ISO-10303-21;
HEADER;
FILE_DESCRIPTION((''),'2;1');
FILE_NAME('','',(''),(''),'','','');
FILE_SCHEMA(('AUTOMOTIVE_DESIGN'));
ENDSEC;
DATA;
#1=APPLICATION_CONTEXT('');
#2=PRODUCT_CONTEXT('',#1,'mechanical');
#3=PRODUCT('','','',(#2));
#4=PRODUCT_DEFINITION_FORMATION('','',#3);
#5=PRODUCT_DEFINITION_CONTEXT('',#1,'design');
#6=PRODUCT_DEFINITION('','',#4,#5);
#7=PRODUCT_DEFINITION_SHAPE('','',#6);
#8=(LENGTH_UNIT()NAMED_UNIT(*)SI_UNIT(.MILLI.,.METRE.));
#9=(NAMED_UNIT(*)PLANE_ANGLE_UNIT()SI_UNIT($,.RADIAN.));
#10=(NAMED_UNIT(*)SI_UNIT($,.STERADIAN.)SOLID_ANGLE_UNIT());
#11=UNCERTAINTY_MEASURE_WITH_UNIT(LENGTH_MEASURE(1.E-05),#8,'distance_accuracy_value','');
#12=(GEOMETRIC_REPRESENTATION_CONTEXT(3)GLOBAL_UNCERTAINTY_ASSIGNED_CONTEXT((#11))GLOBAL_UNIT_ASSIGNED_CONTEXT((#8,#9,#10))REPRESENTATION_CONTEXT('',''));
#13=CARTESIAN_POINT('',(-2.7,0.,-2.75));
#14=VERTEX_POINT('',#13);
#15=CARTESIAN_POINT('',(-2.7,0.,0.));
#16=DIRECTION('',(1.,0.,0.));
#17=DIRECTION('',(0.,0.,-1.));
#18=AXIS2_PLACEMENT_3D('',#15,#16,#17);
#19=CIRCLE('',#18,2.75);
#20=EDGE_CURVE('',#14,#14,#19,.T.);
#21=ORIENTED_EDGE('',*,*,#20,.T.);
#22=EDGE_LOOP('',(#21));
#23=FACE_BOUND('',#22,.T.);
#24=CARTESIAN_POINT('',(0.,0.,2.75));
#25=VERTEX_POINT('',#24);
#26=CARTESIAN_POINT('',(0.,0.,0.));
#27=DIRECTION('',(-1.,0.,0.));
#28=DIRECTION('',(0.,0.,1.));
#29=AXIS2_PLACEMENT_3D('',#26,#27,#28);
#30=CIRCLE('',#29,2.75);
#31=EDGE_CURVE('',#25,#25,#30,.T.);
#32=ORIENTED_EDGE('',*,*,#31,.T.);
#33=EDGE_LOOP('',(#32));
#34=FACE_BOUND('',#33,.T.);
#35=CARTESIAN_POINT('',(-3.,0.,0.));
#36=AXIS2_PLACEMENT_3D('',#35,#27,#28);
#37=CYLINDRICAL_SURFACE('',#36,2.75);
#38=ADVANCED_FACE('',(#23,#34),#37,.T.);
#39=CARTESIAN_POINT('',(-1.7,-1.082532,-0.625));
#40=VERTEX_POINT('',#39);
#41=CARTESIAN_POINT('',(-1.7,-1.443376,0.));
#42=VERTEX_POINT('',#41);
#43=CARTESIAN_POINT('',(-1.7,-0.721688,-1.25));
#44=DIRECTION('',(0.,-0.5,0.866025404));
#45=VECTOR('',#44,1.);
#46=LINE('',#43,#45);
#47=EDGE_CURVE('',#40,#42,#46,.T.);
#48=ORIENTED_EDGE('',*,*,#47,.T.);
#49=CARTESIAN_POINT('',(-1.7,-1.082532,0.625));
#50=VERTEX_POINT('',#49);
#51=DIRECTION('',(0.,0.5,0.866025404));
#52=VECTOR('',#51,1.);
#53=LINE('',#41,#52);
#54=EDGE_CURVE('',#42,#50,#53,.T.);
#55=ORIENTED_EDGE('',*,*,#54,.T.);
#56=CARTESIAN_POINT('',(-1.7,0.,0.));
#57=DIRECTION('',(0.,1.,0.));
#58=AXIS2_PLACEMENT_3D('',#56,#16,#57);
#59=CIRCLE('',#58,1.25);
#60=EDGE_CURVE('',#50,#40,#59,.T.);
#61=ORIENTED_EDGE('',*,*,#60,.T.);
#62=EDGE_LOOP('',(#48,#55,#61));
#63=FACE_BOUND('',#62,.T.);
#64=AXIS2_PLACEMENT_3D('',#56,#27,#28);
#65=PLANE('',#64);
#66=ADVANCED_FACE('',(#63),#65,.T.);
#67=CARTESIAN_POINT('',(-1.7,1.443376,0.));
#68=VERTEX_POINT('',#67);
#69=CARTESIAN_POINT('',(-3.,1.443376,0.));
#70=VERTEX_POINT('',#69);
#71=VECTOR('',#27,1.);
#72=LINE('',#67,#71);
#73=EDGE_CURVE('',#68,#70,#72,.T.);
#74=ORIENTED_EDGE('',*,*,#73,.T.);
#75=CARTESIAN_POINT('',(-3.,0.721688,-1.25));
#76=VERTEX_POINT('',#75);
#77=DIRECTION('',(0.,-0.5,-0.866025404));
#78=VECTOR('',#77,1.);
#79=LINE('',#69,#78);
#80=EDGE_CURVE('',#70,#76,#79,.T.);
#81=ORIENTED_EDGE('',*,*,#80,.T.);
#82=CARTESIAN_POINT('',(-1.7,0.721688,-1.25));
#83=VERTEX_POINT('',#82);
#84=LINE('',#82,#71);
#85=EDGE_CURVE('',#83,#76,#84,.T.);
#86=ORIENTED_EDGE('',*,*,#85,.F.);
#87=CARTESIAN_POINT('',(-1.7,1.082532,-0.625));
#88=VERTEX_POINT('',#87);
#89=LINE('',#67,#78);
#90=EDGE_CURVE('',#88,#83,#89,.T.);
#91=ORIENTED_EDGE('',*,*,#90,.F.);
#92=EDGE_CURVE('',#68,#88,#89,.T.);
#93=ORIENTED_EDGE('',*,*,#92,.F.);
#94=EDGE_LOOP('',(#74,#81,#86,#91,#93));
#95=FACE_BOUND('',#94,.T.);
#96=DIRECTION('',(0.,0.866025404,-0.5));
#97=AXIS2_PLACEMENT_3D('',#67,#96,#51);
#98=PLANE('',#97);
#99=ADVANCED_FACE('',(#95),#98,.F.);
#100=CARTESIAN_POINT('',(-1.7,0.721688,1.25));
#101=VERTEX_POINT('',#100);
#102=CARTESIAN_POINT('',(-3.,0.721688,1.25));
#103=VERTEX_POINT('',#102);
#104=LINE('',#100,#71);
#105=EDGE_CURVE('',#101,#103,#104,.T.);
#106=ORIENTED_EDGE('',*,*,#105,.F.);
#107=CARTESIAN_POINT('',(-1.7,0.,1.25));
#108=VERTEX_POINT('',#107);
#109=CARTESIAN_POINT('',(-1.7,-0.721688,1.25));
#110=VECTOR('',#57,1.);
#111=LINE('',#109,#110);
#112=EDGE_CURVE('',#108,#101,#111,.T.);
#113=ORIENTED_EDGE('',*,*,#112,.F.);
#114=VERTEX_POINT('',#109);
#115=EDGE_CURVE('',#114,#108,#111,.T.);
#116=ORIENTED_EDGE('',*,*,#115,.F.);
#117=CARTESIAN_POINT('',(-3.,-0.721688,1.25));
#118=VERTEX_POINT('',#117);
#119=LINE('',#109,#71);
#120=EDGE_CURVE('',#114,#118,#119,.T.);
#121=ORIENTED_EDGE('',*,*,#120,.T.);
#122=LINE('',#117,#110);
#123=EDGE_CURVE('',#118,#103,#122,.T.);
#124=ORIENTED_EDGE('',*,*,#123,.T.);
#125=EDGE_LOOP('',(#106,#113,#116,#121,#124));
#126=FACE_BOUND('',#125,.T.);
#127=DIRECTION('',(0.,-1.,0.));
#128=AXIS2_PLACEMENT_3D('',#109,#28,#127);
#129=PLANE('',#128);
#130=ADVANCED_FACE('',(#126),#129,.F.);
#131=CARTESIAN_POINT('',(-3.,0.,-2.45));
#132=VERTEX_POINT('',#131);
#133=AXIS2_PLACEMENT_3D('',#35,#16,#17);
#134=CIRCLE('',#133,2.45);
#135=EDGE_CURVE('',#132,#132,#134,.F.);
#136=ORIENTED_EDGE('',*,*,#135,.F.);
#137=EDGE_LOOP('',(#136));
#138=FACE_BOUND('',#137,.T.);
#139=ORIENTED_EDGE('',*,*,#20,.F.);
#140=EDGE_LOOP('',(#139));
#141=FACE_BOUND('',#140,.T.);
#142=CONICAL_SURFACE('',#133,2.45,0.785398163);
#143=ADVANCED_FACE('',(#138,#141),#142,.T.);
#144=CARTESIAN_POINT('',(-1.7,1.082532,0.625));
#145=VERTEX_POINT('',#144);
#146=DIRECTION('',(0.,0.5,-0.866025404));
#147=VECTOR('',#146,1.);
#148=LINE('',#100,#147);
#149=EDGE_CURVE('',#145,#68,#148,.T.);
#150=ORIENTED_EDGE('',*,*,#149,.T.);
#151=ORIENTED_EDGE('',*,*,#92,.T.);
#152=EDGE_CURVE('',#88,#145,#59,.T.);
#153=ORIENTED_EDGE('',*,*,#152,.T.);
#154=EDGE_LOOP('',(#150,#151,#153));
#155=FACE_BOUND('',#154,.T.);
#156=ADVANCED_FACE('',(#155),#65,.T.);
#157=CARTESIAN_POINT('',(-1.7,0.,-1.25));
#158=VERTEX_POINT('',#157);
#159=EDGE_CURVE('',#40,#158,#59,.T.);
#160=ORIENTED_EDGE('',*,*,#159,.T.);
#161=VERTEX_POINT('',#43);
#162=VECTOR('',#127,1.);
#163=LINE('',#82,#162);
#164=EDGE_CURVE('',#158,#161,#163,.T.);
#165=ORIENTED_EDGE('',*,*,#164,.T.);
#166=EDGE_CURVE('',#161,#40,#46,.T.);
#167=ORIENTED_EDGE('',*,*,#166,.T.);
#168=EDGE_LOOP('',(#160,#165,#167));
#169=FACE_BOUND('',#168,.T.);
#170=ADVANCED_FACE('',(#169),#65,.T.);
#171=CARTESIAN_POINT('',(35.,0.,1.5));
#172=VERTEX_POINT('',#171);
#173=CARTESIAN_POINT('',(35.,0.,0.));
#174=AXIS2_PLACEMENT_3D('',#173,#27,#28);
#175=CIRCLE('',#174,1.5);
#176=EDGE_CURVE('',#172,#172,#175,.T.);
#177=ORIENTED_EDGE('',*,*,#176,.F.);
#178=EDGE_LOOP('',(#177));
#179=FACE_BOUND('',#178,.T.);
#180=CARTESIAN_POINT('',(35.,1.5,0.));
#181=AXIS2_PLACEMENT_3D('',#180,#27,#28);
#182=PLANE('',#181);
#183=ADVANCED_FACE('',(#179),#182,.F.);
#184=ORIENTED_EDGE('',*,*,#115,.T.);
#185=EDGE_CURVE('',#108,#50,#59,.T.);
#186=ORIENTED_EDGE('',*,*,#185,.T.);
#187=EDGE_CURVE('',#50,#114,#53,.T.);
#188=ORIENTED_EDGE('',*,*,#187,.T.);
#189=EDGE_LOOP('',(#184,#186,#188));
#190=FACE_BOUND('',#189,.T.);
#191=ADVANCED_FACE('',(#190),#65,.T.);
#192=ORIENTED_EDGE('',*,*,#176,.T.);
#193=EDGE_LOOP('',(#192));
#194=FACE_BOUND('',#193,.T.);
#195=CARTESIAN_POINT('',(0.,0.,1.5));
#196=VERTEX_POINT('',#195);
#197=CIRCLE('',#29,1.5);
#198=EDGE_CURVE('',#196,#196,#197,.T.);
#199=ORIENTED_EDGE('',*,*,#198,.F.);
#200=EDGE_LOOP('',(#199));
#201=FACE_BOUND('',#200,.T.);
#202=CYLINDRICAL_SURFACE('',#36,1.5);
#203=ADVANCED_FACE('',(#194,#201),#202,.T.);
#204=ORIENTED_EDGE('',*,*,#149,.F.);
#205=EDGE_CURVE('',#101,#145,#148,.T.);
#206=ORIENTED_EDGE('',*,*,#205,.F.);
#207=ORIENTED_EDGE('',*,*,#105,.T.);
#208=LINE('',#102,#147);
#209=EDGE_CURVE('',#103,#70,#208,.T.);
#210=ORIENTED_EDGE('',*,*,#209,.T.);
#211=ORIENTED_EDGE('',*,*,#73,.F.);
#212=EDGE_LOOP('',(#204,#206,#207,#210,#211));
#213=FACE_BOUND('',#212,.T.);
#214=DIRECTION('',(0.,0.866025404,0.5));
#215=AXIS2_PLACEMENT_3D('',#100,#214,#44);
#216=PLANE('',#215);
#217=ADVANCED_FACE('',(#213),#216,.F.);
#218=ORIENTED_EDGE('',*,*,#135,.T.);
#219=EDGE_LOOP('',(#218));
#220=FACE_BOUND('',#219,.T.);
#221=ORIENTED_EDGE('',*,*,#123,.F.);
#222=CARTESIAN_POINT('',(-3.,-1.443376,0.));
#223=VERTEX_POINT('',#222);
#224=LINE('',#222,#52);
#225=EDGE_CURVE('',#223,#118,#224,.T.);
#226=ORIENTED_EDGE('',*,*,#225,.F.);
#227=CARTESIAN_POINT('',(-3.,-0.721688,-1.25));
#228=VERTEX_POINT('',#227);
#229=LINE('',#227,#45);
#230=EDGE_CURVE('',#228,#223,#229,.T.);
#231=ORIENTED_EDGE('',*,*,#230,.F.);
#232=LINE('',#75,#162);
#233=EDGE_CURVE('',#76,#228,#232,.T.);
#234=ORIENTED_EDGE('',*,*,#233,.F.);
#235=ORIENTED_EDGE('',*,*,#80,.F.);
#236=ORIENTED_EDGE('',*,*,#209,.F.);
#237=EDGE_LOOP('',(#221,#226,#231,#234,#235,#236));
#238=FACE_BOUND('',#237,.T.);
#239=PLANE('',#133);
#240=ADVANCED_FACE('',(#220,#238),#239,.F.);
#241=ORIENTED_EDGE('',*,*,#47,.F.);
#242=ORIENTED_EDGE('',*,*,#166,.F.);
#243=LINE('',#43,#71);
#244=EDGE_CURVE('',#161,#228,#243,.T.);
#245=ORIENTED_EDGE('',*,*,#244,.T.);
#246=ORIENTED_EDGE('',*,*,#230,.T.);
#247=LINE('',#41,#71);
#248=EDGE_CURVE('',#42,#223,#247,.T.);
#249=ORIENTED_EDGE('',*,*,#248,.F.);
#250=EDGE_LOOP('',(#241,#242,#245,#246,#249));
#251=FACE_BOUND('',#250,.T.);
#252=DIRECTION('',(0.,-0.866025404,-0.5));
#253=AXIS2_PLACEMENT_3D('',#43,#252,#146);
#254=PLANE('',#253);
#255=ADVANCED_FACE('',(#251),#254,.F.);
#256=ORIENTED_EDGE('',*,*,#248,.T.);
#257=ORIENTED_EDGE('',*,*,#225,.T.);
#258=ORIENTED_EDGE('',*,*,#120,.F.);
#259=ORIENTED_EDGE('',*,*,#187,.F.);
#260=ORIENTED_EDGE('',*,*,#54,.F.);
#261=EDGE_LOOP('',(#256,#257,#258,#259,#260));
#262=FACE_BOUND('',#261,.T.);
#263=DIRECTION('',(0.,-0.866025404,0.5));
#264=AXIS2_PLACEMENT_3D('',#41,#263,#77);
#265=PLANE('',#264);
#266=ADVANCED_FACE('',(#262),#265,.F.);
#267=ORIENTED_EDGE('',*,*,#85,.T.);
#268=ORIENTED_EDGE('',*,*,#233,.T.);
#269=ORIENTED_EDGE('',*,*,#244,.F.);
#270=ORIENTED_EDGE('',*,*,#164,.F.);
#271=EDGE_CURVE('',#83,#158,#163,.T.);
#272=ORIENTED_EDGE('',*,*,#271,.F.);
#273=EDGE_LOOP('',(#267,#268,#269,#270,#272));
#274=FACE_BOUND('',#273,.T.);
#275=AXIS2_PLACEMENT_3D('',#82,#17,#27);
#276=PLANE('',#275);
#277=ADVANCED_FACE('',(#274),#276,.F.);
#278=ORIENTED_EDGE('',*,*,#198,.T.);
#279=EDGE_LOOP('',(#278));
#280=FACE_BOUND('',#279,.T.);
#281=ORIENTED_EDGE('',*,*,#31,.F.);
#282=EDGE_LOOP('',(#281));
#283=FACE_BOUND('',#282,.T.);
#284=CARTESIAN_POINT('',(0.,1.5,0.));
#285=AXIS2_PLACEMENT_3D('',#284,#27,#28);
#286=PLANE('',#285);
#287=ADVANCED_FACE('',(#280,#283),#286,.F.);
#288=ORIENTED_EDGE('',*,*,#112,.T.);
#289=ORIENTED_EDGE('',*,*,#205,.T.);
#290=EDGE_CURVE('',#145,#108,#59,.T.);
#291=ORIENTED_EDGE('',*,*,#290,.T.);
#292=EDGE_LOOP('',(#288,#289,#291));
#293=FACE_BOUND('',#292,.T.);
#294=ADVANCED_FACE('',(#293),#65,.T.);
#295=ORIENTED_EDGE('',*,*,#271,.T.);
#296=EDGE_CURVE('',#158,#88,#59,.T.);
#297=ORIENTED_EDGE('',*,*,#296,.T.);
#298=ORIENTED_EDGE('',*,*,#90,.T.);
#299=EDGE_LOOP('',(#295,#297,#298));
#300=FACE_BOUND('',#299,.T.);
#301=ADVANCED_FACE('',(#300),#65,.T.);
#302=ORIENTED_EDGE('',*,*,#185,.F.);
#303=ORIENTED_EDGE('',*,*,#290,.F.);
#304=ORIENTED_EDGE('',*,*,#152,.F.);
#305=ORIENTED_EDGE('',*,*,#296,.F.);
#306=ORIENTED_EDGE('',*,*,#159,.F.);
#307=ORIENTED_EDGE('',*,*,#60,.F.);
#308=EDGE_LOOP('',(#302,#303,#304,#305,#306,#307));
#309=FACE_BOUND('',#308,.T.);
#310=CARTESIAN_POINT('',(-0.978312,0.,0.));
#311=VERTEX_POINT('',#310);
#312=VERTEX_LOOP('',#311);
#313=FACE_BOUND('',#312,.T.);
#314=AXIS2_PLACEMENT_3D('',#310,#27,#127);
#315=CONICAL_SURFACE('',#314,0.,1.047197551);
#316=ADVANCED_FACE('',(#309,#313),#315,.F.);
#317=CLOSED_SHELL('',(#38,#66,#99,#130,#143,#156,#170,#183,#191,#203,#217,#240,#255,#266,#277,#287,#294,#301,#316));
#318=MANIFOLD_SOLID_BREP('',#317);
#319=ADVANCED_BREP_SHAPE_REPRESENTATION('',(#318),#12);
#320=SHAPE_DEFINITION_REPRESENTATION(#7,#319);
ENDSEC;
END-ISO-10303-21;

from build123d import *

# Parameters (mm, degrees)
CUT_EXTRUDE1_DEPTH = 1.3
CHAMFER1_SIZE      = 0.3


with BuildPart() as part:
    # Sketch1 → Revolve1 (revolve)
    with BuildSketch(Plane.XY, mode=Mode.PRIVATE) as revolve1_sk:
        Polygon((-3, 0), (35, 0), (35, 1.5), (0, 1.5), (0, 2.75), (-3, 2.75), align=None)
    revolve(revolve1_sk.sketch.rotate(Axis((-3, 0, 0), (1, 0, 0)), 90), axis=Axis((-3, 0, 0), (1, 0, 0)))

    # Sketch2 → Cut-Extrude1 (cut)
    with BuildSketch(Plane.ZY.offset(3)):
        Polygon((0, 1.443375673), (-1.25, 0.721687836), (-1.25, -0.721687836), (0, -1.443375673), (1.25, -0.721687836), (1.25, 0.721687836), align=None)
    extrude(amount=-CUT_EXTRUDE1_DEPTH, mode=Mode.SUBTRACT)

    # Sketch6 → Cut-Revolve1 (revolve, cut)
    with BuildSketch(Plane.XY, mode=Mode.PRIVATE) as cut_revolve1_sk:
        Polygon((-1.7, 0), (-1.7, 1.25), (-0.978312164, 0), align=None)
    revolve(cut_revolve1_sk.sketch.rotate(Axis((-1.7, 0, 0), (-1, 0, 0)), 180), axis=Axis((-1.7, 0, 0), (-1, 0, 0)), mode=Mode.SUBTRACT)

    # Chamfer1
    chamfer1_edges = [part.edges().sort_by_distance(p)[0] for p in [
        (-3, 0, -2.75),
    ]]
    chamfer(chamfer1_edges, length=CHAMFER1_SIZE)


solid = part.part
